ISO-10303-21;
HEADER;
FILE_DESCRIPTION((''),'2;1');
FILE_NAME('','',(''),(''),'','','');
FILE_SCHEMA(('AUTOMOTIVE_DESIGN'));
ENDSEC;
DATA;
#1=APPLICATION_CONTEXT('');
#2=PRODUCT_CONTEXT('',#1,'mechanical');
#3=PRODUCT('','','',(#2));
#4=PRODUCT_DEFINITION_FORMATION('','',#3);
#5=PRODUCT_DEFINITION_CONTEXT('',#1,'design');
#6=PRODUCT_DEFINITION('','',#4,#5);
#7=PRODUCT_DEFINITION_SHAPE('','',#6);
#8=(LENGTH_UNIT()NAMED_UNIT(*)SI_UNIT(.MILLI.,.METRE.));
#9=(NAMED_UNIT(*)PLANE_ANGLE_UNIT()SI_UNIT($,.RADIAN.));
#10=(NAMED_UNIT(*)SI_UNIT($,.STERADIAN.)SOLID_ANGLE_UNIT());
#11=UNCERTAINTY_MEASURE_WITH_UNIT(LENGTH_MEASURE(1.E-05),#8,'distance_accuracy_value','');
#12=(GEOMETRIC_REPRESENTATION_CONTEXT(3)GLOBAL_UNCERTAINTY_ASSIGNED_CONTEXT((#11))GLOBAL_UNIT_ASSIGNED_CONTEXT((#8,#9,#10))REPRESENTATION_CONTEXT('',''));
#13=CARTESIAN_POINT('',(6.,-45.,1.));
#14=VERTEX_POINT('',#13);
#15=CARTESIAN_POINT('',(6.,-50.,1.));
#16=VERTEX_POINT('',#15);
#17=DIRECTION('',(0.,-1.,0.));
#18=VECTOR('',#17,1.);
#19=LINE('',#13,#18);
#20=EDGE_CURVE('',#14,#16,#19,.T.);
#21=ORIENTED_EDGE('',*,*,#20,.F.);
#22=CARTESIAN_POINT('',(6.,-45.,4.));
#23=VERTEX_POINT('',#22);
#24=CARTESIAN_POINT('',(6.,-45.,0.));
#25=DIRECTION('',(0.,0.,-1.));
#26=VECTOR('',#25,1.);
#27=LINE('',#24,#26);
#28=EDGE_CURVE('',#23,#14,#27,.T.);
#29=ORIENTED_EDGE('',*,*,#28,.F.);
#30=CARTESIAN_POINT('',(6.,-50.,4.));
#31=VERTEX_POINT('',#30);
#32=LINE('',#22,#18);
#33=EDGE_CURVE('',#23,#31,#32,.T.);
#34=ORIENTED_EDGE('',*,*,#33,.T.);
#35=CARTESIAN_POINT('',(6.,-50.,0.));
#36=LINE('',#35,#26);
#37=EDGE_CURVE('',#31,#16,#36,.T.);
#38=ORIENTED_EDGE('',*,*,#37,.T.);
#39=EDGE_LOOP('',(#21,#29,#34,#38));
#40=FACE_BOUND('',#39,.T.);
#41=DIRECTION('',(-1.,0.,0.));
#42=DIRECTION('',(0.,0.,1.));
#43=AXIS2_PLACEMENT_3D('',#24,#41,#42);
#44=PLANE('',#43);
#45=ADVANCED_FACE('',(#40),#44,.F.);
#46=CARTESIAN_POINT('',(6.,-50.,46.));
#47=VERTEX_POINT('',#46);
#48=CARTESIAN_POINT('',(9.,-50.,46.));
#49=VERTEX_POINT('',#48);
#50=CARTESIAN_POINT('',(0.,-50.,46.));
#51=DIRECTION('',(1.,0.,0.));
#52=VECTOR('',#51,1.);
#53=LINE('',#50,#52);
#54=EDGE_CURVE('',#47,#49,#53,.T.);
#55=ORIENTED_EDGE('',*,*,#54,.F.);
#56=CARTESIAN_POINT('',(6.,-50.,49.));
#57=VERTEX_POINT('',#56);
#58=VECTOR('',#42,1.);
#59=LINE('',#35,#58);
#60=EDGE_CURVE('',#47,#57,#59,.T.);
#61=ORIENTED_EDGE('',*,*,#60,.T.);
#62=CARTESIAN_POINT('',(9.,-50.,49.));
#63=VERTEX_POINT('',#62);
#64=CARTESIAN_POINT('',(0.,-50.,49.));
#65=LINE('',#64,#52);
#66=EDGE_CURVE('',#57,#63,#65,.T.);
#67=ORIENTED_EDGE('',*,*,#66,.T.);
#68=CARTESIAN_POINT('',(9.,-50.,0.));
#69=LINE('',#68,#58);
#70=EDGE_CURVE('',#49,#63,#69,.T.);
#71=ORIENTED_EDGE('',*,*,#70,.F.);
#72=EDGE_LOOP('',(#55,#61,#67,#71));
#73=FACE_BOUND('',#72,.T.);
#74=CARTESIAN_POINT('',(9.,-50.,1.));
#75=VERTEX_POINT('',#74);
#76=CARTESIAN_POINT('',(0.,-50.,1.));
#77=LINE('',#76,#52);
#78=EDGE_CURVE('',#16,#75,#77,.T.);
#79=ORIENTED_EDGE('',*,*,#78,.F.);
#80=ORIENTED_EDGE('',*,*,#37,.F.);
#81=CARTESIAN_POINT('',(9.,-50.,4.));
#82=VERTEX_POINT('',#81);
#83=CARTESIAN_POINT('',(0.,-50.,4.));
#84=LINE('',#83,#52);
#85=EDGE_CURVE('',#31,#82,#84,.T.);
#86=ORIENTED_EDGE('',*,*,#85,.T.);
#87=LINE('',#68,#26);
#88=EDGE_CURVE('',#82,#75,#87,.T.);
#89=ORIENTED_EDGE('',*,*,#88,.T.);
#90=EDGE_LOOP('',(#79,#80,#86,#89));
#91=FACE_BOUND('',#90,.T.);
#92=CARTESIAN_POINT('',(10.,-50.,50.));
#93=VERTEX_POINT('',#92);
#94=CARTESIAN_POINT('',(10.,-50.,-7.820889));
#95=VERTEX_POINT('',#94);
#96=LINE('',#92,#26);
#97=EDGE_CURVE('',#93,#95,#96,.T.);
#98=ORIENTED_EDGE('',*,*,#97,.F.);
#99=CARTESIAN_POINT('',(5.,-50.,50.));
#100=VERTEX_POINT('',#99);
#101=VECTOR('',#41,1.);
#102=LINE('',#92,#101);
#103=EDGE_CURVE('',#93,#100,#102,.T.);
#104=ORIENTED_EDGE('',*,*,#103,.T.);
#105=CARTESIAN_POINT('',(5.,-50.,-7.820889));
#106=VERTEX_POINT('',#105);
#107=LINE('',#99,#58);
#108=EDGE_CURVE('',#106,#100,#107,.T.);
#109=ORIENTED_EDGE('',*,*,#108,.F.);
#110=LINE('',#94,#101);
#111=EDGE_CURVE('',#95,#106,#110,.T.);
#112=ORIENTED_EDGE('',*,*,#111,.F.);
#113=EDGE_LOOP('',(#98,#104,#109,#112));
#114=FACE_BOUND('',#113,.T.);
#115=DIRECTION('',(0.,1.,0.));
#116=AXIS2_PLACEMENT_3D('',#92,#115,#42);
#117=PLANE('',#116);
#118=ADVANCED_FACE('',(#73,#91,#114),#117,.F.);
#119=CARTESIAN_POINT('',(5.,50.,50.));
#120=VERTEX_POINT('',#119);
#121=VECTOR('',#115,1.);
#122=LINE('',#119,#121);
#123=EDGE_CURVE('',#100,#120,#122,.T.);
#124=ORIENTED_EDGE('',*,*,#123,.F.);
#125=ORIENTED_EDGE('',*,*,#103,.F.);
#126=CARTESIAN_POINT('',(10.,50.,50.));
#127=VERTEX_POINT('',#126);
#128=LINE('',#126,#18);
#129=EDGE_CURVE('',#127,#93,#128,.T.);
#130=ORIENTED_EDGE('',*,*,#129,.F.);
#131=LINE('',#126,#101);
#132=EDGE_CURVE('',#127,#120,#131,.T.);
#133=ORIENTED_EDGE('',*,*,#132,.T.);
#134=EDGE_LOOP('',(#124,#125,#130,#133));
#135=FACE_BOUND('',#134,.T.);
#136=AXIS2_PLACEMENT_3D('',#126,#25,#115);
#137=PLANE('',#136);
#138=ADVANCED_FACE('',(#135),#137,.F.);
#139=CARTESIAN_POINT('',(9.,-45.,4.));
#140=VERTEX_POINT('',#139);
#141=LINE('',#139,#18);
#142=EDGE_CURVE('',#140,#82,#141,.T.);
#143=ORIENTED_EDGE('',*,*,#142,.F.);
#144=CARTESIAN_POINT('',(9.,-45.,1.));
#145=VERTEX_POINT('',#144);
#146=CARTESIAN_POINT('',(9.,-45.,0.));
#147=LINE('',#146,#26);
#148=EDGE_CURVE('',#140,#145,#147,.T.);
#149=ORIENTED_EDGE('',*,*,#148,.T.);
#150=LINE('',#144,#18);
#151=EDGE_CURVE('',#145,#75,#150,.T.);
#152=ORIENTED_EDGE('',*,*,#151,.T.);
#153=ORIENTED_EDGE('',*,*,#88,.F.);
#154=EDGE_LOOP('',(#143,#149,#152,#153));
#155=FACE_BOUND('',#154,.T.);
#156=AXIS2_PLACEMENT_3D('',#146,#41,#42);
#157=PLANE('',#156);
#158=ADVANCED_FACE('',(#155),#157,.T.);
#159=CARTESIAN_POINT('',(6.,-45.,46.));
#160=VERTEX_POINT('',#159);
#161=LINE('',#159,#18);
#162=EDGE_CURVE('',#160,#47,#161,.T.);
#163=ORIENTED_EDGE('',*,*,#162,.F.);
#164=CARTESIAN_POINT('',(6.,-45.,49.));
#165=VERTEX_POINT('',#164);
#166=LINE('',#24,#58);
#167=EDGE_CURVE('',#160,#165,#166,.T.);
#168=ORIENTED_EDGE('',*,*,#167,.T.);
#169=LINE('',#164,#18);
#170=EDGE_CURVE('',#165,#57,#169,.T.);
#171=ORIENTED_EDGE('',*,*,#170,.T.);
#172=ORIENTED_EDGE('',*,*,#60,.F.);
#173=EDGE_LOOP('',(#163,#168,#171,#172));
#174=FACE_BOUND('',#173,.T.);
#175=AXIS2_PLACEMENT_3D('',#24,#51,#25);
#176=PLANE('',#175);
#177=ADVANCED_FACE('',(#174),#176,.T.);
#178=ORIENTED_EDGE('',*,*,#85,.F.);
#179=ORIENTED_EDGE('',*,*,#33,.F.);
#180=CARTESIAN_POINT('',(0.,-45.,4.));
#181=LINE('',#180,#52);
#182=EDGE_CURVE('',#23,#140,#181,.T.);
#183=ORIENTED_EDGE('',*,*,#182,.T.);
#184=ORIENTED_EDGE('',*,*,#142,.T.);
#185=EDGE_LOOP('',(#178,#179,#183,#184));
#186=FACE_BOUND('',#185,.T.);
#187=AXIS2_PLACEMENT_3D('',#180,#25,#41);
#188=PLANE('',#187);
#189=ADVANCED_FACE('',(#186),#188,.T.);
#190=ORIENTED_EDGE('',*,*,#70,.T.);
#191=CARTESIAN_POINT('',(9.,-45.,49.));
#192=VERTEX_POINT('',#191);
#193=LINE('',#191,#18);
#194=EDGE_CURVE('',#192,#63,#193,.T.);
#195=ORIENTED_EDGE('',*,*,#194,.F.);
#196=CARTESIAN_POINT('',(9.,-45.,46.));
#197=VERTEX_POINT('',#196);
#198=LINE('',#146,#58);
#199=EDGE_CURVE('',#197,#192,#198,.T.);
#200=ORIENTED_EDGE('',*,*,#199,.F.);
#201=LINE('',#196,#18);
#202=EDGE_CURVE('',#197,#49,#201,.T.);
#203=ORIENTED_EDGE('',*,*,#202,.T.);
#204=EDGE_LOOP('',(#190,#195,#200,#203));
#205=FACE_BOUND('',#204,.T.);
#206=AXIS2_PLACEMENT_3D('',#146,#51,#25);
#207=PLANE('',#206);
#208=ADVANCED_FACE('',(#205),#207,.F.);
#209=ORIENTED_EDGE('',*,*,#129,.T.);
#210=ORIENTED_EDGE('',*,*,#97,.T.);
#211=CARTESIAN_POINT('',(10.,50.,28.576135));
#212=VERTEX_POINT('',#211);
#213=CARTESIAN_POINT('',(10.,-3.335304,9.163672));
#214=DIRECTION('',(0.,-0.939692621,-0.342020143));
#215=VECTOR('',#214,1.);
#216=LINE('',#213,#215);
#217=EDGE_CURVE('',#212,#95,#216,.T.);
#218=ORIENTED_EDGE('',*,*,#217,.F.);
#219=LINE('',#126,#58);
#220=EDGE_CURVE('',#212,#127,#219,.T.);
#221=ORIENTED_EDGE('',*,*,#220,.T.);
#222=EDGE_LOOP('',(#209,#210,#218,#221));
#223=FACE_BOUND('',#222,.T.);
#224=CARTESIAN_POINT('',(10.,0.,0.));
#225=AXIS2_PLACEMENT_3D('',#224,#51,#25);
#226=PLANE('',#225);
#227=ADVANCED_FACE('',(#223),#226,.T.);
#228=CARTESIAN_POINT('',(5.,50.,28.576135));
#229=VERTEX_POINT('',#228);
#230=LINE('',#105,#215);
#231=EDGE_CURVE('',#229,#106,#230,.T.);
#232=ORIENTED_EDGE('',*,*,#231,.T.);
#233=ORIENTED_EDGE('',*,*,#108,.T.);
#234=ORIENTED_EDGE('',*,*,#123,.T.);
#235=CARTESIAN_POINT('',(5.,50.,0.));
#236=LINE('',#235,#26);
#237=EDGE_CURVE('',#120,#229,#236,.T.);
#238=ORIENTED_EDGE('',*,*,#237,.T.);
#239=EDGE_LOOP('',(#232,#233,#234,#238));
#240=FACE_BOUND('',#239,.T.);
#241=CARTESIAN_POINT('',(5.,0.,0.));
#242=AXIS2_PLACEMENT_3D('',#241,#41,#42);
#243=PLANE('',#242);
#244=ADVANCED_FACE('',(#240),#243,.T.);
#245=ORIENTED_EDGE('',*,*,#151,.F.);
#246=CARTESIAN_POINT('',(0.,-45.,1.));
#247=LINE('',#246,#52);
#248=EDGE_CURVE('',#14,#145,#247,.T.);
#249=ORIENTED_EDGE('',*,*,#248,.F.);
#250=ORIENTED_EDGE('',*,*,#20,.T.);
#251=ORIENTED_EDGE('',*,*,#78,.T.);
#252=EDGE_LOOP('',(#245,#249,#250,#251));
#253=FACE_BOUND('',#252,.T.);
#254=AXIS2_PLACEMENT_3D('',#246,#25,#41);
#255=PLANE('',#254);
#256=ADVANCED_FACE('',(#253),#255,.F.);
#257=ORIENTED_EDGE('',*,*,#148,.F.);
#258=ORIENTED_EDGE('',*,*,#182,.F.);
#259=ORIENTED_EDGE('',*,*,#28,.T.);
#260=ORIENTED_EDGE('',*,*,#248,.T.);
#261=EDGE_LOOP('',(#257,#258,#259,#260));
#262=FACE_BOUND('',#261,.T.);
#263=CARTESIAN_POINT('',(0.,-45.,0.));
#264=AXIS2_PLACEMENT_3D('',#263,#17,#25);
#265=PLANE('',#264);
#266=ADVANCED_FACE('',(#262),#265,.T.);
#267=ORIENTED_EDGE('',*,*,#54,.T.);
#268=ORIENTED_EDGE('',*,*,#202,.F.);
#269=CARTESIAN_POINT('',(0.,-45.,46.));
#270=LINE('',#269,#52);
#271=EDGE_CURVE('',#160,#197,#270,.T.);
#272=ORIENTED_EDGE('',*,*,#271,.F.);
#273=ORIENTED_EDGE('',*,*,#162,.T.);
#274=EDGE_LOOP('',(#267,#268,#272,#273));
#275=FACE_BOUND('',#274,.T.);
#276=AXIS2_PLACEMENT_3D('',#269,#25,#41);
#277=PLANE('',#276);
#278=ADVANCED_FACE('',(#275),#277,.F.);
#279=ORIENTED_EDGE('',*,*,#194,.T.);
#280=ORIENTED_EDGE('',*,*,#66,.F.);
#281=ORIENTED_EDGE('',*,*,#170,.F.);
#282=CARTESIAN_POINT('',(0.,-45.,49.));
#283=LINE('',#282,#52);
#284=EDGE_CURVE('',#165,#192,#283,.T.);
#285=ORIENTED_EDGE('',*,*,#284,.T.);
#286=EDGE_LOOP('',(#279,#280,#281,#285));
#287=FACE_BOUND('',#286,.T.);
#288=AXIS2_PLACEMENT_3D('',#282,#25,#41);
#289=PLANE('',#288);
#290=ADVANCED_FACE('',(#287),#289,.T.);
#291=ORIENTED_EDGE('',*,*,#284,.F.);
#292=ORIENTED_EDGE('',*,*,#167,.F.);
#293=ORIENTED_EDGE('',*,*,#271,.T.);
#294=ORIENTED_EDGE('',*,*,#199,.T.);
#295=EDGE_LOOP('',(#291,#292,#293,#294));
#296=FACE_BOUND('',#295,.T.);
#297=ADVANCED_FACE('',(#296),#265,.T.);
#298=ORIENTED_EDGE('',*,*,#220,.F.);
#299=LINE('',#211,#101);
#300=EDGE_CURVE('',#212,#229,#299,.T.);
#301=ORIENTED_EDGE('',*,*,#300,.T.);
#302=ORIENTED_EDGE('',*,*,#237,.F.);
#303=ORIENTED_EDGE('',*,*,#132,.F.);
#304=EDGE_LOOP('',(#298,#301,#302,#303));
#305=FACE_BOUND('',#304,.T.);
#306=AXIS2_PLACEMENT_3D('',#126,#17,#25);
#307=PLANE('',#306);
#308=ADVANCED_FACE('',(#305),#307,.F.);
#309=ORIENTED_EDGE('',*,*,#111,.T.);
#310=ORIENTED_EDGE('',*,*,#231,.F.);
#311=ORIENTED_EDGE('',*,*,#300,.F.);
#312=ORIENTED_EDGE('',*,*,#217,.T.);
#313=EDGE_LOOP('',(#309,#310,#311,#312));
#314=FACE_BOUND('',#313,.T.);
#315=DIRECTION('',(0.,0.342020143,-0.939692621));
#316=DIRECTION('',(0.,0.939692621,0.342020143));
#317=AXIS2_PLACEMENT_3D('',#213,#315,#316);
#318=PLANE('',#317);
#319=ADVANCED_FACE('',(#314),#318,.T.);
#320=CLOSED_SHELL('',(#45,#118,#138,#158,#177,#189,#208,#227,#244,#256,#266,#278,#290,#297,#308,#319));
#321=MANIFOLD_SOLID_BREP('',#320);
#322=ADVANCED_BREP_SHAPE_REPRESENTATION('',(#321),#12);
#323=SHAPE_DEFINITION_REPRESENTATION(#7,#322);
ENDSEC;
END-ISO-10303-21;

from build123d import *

# Parameters (mm, degrees)
SKETCH1_W           = 100
SKETCH1_H           = 100
BOSS_EXTRUDE1_DEPTH = 10
CUT_EXTRUDE2_DEPTH  = 5
CUT_EXTRUDE4_DEPTH  = 10
CUT_EXTRUDE5_DEPTH  = 5
SKETCH8_W           = 3
SKETCH8_H           = 3
CUT_EXTRUDE6_DEPTH  = 5


with BuildPart() as part:
    # Sketch1 → Boss-Extrude1 (new body)
    with BuildSketch(Plane(origin=(0, 0, 0), x_dir=(0, 0, -1), z_dir=(1, 0, 0))):
        Rectangle(SKETCH1_W, SKETCH1_H)
    extrude(amount=BOSS_EXTRUDE1_DEPTH)

    # Sketch2 → Cut-Extrude2 (cut)
    with BuildSketch(Plane.ZY):
        Polygon((36.397023427, 50), (33.897023427, 50), (-0.680148829, -45), (4.319851171, -45), (38.897023427, 50), align=None)
    extrude(amount=-CUT_EXTRUDE2_DEPTH, mode=Mode.SUBTRACT)

    # Sketch5 → Cut-Extrude4 (cut)
    with BuildSketch(Plane.ZY):
        Polygon((28.576134564, 50), (-50, 50), (-50, -50), (-7.820888862, -50), (-6.001037691, -45), (26.756283393, 45), align=None)
    extrude(amount=-CUT_EXTRUDE4_DEPTH, mode=Mode.SUBTRACT)

    # Sketch7 → Cut-Extrude5 (cut)
    with BuildSketch(Plane.ZY):
        Polygon((28.576134564, 50), (50, 50), (50, -50), (-7.820888862, -50), align=None)
    extrude(amount=-CUT_EXTRUDE5_DEPTH, mode=Mode.SUBTRACT)

    # Sketch8 → Cut-Extrude6 (cut)
    with BuildSketch(Plane.XZ.offset(50)):
        with Locations((7.5, 47.5)):
            Rectangle(SKETCH8_W, SKETCH8_H)
        with Locations((7.5, 2.5)):
            Rectangle(SKETCH8_W, SKETCH8_H)
    extrude(amount=-CUT_EXTRUDE6_DEPTH, mode=Mode.SUBTRACT)


solid = part.part
